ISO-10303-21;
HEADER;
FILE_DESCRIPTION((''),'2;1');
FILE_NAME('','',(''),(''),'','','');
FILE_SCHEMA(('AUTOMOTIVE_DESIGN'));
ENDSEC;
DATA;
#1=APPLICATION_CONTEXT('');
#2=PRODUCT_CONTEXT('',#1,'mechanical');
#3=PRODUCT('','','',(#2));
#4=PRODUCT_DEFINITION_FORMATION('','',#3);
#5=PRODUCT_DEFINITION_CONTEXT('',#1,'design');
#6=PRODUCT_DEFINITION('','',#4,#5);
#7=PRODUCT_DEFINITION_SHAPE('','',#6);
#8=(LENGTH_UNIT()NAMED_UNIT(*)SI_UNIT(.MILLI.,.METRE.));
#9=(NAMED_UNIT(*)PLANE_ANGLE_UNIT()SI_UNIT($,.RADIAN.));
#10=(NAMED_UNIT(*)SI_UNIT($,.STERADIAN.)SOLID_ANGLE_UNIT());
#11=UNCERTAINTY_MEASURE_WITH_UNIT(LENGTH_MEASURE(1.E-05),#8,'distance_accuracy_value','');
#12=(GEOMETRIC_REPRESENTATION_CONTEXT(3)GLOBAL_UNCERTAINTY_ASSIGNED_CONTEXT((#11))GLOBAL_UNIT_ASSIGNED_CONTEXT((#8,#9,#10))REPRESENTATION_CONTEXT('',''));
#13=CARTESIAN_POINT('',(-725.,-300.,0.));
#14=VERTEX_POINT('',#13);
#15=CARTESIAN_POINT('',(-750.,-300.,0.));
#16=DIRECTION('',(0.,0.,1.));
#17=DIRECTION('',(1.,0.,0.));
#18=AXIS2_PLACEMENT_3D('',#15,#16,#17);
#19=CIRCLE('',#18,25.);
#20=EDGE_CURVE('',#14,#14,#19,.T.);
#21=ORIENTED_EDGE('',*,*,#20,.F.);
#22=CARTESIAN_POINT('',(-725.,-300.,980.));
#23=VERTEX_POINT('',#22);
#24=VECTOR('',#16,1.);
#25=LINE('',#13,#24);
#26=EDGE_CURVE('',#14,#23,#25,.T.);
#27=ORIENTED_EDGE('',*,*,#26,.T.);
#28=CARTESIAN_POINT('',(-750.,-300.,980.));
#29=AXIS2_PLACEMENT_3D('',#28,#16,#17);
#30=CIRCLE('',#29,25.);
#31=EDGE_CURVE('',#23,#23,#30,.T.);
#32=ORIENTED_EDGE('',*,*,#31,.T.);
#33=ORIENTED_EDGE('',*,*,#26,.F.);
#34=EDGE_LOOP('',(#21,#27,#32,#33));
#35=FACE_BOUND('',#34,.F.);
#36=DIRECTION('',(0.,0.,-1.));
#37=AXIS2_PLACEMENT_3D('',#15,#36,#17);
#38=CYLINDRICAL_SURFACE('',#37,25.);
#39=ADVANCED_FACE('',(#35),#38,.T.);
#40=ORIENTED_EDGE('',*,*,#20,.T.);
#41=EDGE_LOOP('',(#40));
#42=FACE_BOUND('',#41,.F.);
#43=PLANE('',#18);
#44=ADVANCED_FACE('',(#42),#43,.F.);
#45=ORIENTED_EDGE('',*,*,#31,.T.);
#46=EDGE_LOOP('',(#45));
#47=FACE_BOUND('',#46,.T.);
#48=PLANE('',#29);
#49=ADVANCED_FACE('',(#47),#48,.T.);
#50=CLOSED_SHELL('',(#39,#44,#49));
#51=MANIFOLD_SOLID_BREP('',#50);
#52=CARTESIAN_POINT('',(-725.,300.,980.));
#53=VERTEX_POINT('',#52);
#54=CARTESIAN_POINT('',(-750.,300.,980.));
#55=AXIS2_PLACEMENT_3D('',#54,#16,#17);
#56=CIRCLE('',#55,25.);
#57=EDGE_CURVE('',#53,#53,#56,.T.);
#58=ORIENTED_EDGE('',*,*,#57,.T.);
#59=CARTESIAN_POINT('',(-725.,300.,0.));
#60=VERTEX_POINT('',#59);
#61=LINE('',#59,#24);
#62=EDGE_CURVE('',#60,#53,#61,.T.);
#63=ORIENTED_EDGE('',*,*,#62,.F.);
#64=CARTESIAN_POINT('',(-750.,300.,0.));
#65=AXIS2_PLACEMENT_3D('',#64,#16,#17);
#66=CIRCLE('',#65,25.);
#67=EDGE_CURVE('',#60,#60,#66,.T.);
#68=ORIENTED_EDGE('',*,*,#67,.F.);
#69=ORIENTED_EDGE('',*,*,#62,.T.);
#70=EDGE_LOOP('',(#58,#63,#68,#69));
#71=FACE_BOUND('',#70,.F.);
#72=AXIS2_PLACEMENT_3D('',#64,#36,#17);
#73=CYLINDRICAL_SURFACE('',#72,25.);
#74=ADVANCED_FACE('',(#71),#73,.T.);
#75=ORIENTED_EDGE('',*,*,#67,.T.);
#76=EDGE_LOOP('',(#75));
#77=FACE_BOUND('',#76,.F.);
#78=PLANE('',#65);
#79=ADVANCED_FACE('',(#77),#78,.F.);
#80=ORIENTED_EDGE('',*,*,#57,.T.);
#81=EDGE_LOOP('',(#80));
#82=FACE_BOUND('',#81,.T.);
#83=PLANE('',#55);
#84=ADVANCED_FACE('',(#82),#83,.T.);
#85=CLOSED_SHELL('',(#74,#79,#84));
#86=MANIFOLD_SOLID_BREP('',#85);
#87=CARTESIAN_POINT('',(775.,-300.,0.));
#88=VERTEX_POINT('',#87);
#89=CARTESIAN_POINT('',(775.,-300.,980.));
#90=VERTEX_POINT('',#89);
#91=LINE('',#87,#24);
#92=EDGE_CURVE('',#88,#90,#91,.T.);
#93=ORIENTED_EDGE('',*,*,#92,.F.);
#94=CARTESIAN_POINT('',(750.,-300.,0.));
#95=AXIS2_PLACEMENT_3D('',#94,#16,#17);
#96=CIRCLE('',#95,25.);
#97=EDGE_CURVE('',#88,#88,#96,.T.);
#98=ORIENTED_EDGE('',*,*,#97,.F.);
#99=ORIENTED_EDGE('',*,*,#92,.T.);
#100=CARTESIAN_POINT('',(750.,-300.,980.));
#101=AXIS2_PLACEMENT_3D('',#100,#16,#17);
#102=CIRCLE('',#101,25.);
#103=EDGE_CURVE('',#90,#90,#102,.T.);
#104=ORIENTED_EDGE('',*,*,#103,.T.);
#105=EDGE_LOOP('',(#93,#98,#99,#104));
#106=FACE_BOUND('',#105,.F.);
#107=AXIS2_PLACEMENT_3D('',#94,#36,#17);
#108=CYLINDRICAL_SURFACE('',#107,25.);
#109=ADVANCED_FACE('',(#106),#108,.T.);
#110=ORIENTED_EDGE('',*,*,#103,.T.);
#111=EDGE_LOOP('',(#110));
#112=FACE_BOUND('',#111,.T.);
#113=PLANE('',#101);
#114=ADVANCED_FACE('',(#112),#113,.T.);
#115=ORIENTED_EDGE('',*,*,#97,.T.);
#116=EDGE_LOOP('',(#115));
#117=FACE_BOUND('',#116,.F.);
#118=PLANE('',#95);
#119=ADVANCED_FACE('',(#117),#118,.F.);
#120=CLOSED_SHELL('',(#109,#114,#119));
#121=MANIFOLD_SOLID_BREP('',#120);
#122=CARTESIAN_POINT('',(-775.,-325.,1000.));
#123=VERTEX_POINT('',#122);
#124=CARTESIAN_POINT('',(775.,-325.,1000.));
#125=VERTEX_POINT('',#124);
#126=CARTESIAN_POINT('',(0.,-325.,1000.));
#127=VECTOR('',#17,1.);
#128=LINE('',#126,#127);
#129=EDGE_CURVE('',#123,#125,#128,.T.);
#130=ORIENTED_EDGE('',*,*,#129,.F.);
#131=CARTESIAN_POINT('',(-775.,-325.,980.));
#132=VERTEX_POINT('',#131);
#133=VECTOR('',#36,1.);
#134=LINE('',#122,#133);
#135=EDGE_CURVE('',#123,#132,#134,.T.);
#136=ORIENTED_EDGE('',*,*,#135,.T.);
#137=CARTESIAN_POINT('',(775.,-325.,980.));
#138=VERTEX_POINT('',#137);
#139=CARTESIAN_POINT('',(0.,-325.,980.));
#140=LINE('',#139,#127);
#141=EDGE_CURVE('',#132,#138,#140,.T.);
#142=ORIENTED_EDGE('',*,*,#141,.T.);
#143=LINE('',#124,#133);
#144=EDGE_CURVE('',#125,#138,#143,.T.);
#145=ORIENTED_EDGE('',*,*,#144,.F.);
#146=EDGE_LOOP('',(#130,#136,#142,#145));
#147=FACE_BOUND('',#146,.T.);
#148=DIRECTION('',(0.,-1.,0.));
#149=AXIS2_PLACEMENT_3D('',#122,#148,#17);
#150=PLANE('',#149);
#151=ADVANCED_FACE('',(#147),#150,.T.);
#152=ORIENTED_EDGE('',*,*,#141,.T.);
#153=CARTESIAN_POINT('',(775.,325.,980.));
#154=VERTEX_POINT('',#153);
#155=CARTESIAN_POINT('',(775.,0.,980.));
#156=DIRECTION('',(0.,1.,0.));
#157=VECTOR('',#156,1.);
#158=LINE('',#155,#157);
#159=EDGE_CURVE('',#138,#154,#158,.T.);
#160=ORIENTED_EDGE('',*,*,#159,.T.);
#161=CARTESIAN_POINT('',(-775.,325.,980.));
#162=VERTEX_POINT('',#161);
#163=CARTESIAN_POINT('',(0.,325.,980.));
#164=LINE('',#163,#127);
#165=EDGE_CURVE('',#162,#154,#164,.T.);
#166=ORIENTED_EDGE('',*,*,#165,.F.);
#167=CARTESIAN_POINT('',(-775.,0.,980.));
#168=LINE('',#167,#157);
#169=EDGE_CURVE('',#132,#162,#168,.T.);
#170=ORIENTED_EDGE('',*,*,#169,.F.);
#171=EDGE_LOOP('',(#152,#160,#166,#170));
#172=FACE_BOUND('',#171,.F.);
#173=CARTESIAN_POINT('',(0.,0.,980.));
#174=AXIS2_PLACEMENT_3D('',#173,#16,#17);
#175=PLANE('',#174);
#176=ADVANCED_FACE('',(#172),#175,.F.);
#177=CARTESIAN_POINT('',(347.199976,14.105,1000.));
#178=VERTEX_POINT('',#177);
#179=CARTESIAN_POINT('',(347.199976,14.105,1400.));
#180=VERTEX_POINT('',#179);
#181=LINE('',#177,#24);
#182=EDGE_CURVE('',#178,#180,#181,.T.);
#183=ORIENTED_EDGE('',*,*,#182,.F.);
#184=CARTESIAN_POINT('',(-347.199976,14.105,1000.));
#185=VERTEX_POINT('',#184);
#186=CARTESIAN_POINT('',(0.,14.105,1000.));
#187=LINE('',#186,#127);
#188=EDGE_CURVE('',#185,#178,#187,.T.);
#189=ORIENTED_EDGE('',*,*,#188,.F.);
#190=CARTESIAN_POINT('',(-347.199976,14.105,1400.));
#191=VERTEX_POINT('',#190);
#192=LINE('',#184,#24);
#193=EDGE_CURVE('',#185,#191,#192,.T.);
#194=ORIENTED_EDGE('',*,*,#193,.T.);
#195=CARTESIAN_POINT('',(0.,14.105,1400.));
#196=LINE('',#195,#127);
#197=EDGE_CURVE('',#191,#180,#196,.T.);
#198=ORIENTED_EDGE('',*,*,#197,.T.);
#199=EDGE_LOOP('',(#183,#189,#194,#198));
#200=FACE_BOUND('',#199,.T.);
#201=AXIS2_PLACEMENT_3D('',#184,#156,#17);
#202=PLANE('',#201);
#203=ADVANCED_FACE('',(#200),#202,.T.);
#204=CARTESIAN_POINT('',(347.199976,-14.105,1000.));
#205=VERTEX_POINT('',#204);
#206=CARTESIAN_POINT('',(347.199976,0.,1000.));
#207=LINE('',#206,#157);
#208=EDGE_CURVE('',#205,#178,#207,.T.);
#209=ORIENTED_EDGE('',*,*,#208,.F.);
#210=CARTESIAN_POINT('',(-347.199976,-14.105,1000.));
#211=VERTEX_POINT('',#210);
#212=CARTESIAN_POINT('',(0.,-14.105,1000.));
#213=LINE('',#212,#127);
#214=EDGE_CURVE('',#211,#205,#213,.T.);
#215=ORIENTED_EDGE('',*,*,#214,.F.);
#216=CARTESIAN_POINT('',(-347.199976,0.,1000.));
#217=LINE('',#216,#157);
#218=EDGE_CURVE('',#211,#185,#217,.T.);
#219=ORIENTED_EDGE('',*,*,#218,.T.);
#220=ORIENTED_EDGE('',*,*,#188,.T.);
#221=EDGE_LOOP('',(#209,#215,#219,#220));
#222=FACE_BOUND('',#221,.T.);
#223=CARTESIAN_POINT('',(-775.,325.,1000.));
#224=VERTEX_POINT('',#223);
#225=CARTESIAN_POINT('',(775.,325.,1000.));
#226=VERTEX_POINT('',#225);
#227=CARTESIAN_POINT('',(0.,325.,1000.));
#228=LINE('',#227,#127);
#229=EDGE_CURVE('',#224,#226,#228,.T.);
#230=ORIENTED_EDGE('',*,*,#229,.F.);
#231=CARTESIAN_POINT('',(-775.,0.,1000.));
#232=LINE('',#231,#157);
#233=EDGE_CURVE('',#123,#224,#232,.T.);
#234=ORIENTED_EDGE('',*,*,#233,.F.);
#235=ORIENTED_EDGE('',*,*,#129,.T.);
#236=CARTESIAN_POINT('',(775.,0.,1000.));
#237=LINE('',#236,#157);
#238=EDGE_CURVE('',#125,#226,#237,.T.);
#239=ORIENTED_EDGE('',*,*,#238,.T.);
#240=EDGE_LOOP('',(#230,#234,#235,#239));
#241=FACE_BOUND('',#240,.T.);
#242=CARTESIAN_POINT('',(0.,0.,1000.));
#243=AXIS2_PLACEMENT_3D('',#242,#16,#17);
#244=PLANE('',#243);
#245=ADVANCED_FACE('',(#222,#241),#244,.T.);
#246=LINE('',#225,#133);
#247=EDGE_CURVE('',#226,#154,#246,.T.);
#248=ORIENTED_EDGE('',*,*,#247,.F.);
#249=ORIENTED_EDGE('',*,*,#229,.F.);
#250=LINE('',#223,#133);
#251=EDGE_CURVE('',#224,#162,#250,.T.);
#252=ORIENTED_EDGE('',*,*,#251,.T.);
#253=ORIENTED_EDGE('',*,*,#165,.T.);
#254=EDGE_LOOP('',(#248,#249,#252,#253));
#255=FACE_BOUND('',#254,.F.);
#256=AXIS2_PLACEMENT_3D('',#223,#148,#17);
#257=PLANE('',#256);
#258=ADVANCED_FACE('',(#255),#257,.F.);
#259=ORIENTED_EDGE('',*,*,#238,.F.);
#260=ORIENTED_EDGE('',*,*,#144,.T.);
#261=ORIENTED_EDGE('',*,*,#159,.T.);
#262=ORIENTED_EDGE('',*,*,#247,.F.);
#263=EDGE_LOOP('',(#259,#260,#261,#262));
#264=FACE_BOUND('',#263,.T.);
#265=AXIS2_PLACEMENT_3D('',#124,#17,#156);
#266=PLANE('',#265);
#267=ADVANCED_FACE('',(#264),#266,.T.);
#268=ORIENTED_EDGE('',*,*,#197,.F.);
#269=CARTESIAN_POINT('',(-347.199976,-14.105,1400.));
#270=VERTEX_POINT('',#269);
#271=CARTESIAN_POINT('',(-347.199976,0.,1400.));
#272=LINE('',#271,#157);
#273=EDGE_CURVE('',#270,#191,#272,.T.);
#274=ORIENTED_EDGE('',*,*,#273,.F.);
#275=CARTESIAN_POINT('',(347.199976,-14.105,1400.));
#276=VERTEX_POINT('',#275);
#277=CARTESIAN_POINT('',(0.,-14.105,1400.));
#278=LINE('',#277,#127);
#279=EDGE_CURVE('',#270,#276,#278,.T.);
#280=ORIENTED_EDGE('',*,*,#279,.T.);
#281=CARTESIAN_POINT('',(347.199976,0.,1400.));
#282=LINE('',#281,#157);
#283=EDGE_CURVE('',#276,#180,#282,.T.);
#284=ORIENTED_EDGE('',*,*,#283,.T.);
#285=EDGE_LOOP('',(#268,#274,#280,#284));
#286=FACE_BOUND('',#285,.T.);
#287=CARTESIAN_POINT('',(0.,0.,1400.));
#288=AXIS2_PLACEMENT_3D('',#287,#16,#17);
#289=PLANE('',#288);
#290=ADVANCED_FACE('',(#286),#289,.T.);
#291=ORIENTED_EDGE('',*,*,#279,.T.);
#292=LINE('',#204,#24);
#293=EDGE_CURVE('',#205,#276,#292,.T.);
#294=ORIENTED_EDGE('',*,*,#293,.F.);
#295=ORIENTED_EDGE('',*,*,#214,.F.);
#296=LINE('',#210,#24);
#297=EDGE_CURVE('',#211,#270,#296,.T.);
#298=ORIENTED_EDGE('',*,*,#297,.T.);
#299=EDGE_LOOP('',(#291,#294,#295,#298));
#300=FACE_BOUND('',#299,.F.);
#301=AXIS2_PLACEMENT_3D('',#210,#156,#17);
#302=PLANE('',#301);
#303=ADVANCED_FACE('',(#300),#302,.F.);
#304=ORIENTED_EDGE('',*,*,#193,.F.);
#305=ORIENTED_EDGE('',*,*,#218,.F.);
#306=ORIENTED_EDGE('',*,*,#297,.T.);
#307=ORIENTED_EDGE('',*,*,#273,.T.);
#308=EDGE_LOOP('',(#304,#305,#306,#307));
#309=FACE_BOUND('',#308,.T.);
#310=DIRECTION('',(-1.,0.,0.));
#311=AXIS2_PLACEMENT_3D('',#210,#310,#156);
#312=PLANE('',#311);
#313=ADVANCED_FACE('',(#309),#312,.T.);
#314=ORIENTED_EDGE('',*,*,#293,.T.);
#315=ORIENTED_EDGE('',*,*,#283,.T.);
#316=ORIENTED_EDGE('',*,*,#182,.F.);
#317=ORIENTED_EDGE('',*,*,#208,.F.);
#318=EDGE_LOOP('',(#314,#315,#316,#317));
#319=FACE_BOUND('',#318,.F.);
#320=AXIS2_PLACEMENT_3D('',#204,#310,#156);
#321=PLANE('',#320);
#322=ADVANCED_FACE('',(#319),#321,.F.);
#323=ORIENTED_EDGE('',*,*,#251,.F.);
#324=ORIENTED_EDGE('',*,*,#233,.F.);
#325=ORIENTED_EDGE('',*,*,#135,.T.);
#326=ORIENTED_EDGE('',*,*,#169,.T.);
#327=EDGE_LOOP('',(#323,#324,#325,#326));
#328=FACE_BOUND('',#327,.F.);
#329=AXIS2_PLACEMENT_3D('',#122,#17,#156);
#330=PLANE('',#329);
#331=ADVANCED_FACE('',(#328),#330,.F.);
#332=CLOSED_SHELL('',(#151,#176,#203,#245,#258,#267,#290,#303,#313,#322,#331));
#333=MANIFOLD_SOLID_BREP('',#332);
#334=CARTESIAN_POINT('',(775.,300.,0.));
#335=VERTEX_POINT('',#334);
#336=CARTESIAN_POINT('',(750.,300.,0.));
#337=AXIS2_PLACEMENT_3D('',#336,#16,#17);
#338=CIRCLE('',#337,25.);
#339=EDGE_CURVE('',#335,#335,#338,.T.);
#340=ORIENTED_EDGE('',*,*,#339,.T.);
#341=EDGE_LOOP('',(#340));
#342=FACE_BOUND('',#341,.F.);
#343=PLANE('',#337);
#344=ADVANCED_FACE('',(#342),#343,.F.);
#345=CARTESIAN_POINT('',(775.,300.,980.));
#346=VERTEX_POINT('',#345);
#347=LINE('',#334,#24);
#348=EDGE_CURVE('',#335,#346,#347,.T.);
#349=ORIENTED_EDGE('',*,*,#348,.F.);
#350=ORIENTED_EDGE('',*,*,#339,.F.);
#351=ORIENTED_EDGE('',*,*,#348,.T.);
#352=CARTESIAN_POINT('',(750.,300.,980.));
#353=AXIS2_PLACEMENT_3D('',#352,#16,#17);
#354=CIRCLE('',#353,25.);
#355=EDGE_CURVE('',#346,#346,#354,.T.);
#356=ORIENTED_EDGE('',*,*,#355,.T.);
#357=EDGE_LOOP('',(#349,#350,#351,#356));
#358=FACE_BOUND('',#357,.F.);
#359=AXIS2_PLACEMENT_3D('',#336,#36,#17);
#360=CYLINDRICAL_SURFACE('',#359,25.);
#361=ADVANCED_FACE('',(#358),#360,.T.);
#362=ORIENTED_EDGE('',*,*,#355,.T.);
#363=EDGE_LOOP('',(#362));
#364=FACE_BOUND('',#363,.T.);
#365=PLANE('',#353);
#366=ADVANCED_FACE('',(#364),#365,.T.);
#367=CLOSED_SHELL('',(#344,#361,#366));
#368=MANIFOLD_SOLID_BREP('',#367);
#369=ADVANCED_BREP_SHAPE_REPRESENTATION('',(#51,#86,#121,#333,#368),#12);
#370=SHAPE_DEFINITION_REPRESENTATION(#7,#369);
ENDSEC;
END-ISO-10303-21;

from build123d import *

# Parameters (mm, degrees)
F1_R     = 25
F3_DEPTH = 980
F2_W     = 1550
F2_H     = 650
F4_DEPTH = 20
F5_W     = 694.399952
F5_H     = 28.21
F6_DEPTH = 400


with BuildPart() as f3:
    # F1 (on Top) → F3 (new body)
    with BuildSketch(Plane.XY):
        with Locations((-750, 300)):
            Circle(F1_R)
        with Locations((-750, -300)):
            Circle(F1_R)
        with Locations((750, -300)):
            Circle(F1_R)
        with Locations((750, 300)):
            Circle(F1_R)
    extrude(amount=F3_DEPTH)


with BuildPart() as f4:
    # F2 (on offset) → F4 (new body)
    with BuildSketch(Plane.XY.offset(1000)):
        Rectangle(F2_W, F2_H)
    extrude(amount=-F4_DEPTH)

    # F5 (on offset) → F6 (join)
    with BuildSketch(Plane.XY.offset(1000)):
        Rectangle(F5_W, F5_H)
    extrude(amount=F6_DEPTH)


solid = Compound([f3.part, f4.part])
